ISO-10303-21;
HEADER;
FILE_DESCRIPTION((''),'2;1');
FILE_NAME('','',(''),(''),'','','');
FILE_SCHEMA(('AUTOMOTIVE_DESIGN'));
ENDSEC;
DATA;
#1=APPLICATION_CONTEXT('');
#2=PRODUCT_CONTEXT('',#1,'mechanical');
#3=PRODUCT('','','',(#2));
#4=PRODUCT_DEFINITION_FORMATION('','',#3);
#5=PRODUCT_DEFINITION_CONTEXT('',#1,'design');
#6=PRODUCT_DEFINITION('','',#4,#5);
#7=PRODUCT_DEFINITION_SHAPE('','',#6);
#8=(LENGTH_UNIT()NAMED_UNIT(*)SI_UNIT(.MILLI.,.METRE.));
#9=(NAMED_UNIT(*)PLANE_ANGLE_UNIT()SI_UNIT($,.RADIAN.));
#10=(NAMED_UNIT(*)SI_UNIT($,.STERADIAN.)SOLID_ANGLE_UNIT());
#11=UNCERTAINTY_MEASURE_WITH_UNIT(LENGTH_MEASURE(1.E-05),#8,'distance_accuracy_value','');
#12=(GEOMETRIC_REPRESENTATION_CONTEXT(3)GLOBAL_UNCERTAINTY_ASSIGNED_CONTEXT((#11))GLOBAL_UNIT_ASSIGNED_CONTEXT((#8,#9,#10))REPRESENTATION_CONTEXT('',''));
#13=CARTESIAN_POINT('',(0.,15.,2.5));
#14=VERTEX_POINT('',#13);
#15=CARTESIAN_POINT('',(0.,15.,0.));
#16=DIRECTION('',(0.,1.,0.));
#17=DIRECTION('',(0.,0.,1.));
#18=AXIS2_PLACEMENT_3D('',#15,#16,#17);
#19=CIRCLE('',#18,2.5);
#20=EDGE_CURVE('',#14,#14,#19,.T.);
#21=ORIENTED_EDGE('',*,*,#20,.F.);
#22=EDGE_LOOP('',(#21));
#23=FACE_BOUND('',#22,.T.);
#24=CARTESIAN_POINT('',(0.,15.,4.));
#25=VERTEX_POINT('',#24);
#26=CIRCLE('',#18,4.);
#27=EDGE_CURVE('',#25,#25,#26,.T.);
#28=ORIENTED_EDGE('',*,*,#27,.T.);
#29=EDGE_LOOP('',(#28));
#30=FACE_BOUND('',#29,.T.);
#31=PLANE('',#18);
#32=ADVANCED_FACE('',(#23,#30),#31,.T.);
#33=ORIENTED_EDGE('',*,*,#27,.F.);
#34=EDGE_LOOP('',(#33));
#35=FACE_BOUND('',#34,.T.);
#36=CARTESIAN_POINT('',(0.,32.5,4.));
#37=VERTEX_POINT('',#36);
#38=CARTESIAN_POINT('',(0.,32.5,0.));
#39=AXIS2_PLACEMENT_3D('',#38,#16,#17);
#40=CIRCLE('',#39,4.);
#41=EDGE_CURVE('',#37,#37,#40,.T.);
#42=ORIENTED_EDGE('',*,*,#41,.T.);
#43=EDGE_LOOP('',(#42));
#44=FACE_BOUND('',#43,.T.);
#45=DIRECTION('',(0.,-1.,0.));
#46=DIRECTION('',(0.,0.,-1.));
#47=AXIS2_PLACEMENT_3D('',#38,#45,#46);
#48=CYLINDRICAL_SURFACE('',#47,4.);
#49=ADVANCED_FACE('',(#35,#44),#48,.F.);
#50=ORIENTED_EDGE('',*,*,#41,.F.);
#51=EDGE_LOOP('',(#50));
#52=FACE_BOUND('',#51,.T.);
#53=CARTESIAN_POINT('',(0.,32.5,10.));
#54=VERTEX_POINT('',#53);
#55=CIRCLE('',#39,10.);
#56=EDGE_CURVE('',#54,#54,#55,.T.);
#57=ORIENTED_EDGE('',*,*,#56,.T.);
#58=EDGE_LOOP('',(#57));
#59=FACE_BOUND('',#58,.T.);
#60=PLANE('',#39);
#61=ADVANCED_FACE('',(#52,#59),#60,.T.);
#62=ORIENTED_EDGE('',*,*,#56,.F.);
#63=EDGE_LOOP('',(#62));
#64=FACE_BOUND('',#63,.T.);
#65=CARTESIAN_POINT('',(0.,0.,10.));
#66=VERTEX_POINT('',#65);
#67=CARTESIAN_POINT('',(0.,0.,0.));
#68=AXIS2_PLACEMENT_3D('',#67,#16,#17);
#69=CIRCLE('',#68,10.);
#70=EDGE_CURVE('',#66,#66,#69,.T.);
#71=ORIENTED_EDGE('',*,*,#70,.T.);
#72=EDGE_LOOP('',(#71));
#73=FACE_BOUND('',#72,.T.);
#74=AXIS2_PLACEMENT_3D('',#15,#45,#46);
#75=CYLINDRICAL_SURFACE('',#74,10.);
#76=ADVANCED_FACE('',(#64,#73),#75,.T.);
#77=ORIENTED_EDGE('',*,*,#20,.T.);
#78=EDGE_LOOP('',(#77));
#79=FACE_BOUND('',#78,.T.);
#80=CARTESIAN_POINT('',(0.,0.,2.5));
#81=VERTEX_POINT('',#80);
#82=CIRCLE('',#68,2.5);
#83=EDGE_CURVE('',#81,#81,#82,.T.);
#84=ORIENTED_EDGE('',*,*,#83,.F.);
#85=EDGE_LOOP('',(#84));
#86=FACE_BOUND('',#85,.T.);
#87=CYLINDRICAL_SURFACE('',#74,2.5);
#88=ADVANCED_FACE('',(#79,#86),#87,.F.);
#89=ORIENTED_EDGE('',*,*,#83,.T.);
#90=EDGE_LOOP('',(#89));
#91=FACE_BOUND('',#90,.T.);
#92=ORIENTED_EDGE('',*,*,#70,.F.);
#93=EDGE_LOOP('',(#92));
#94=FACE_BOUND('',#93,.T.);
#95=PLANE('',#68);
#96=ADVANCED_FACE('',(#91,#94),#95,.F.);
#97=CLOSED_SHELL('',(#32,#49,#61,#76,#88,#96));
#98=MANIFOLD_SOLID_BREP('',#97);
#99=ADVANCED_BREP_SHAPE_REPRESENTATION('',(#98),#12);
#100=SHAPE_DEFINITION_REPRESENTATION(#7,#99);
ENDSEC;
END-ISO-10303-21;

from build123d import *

# Parameters (mm, degrees)
SKETCH_1_R      = 10
SKETCH_1_R_2    = 2.5
EXTRUDE_1_DEPTH = 15
SKETCH_2_R      = 10
SKETCH_2_R_2    = 4
EXTRUDE_2_DEPTH = 17.5


with BuildPart() as part:
    # 草图1 → 凸台-拉伸1 (new body)
    with BuildSketch(Plane(origin=(0, 0, 0), x_dir=(1, 0, 0), z_dir=(0, 1, 0))):
        with Locations(Location((0, 0, 0), (0, 0, 270))):
            Circle(SKETCH_1_R)
        with Locations(Location((0, 0, 0), (0, 0, 270))):
            Circle(SKETCH_1_R_2, mode=Mode.SUBTRACT)
    extrude(amount=EXTRUDE_1_DEPTH)

    # 草图2 → 凸台-拉伸2 (add)
    with BuildSketch(Plane(origin=(0, 15, 0), x_dir=(1, 0, 0), z_dir=(0, 1, 0))):
        with Locations(Location((0, 0, 0), (0, 0, 270))):
            Circle(SKETCH_2_R)
        with Locations(Location((0, 0, 0), (0, 0, 270))):
            Circle(SKETCH_2_R_2, mode=Mode.SUBTRACT)
    extrude(amount=EXTRUDE_2_DEPTH)


solid = part.part
